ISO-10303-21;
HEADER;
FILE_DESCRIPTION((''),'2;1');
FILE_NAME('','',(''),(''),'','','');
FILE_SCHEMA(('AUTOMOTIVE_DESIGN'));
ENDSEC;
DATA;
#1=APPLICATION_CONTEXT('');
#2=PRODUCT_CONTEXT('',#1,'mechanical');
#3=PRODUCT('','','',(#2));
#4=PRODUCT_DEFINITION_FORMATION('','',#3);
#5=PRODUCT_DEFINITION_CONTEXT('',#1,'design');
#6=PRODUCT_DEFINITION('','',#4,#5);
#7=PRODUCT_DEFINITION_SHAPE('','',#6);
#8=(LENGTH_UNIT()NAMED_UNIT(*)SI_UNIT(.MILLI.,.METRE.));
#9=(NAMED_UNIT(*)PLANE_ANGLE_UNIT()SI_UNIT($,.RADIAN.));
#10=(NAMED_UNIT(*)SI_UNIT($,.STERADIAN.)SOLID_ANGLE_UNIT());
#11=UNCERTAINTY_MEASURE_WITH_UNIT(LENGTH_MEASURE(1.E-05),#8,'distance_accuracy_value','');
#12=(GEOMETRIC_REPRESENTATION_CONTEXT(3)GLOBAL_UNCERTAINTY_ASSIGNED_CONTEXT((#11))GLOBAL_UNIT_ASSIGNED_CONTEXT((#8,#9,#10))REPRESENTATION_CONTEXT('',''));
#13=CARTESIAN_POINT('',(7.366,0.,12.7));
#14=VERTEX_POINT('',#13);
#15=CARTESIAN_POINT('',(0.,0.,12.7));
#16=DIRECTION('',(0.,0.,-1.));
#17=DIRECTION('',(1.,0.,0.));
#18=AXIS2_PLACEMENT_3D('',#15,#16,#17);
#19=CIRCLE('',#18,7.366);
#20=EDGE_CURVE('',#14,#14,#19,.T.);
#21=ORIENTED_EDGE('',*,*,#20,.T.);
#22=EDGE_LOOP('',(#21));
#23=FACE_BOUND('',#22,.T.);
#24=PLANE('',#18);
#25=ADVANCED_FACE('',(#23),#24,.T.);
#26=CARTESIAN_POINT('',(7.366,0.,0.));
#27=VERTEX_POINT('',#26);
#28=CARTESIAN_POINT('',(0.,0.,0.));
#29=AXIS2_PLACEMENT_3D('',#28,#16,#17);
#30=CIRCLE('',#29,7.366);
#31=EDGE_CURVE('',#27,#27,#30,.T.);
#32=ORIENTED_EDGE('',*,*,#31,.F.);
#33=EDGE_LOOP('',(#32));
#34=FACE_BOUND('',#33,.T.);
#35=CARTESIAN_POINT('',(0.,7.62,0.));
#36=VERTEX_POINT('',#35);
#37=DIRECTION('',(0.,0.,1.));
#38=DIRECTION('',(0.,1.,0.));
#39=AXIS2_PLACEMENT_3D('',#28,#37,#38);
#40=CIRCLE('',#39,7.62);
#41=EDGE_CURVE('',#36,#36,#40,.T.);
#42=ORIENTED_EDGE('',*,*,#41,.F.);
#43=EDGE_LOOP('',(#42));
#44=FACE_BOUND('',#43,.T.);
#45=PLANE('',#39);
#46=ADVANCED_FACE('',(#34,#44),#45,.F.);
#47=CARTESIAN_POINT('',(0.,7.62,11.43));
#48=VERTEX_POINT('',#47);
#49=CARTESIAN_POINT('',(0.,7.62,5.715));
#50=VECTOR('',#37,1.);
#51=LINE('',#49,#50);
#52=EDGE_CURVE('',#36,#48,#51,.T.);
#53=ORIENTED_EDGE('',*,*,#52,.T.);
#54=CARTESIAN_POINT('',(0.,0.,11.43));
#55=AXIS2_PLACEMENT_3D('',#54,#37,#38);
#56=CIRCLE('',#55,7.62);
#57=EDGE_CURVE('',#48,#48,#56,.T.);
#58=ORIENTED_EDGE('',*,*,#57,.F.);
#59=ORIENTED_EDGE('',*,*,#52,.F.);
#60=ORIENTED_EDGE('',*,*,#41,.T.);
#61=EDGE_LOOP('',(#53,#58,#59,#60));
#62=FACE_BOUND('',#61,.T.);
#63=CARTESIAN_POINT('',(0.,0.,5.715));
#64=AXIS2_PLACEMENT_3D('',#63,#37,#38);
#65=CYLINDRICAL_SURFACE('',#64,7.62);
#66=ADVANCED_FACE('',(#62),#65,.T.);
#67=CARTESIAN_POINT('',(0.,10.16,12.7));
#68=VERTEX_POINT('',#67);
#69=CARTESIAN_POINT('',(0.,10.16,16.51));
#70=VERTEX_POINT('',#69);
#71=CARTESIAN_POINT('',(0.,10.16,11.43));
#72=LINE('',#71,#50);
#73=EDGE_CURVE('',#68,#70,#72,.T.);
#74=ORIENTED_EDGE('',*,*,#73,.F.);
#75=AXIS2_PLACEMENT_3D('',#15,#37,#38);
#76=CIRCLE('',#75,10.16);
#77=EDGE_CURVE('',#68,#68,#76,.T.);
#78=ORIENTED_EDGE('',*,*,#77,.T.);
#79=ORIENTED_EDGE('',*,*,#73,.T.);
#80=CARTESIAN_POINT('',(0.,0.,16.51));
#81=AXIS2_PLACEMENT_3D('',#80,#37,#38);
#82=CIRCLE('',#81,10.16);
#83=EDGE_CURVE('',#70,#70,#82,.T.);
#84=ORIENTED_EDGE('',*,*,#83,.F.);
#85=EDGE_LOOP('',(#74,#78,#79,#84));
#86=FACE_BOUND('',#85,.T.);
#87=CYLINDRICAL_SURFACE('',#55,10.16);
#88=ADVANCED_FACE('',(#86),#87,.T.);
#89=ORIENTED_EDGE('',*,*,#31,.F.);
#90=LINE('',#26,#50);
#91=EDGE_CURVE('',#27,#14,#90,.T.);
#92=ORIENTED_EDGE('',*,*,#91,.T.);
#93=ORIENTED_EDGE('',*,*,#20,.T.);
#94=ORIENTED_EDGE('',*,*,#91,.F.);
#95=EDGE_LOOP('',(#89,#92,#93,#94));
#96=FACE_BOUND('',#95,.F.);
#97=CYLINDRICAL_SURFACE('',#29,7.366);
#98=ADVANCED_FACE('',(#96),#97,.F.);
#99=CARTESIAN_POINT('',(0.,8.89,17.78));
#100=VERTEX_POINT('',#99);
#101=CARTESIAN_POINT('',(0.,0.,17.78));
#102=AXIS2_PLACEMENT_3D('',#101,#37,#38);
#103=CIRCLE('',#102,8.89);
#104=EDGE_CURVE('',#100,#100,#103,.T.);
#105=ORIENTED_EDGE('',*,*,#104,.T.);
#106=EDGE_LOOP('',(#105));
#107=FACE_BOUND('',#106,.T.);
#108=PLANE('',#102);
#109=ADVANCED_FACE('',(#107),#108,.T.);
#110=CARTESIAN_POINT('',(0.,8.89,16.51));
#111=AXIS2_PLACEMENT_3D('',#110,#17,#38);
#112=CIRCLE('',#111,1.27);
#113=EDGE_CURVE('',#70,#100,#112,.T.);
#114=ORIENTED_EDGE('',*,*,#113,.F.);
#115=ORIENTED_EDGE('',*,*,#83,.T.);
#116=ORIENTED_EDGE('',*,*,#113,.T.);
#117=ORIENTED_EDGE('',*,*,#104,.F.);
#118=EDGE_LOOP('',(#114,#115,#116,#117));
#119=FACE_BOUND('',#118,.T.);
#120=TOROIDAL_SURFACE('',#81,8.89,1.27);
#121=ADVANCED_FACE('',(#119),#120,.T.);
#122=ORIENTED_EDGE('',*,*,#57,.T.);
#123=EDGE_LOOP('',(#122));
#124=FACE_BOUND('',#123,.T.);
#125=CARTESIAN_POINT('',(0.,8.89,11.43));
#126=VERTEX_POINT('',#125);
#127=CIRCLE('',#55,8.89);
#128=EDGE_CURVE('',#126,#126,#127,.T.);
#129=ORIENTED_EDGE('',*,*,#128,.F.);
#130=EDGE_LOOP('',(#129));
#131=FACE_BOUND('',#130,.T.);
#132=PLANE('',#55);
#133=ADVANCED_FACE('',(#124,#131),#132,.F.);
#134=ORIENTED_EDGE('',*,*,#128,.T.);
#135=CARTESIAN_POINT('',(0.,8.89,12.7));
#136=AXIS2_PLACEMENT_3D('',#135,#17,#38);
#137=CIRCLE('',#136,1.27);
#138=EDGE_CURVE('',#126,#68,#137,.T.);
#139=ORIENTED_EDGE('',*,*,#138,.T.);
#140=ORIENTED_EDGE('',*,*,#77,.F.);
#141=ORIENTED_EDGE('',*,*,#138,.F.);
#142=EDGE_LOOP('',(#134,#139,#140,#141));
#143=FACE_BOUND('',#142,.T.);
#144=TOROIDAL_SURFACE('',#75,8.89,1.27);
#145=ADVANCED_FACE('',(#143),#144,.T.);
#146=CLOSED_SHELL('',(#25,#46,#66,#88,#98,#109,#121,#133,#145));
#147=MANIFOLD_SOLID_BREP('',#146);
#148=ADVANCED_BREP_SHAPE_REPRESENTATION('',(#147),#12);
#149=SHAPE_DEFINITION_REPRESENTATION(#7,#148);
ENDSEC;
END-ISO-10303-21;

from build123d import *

# Parameters (mm, degrees)
F0_W     = 7.62
F0_H     = 11.43
F2_R     = 1.27
F3_R     = 7.366
F4_DEPTH = 12.7


with BuildPart() as f1:
    # F0 (on Right) → F1 (revolve)
    with BuildSketch(Plane.YZ):
        with Locations((3.81, 5.715)):
            Rectangle(F0_W, F0_H)
        Polygon((0, 17.78), (0, 11.43), (7.62, 11.43), (10.16, 11.43), (10.16, 17.78), align=None)
    revolve(axis=Axis((0, 0, 5.715), (0, 0, 1)))

    # F2
    f2_edges = [f1.edges().sort_by_distance(p)[0] for p in [
        (0, -10.16, 11.43),
        (0, -10.16, 17.78),
        (0, 10.16, 14.605),
    ]]
    fillet(f2_edges, radius=F2_R)

    # F3 (on face) → F4 (cut)
    with BuildSketch(Plane(origin=(0, 0, 0), x_dir=(1, 0, 0), z_dir=(0, 0, -1))):
        Circle(F3_R)
    extrude(amount=-F4_DEPTH, mode=Mode.SUBTRACT)


solid = f1.part
